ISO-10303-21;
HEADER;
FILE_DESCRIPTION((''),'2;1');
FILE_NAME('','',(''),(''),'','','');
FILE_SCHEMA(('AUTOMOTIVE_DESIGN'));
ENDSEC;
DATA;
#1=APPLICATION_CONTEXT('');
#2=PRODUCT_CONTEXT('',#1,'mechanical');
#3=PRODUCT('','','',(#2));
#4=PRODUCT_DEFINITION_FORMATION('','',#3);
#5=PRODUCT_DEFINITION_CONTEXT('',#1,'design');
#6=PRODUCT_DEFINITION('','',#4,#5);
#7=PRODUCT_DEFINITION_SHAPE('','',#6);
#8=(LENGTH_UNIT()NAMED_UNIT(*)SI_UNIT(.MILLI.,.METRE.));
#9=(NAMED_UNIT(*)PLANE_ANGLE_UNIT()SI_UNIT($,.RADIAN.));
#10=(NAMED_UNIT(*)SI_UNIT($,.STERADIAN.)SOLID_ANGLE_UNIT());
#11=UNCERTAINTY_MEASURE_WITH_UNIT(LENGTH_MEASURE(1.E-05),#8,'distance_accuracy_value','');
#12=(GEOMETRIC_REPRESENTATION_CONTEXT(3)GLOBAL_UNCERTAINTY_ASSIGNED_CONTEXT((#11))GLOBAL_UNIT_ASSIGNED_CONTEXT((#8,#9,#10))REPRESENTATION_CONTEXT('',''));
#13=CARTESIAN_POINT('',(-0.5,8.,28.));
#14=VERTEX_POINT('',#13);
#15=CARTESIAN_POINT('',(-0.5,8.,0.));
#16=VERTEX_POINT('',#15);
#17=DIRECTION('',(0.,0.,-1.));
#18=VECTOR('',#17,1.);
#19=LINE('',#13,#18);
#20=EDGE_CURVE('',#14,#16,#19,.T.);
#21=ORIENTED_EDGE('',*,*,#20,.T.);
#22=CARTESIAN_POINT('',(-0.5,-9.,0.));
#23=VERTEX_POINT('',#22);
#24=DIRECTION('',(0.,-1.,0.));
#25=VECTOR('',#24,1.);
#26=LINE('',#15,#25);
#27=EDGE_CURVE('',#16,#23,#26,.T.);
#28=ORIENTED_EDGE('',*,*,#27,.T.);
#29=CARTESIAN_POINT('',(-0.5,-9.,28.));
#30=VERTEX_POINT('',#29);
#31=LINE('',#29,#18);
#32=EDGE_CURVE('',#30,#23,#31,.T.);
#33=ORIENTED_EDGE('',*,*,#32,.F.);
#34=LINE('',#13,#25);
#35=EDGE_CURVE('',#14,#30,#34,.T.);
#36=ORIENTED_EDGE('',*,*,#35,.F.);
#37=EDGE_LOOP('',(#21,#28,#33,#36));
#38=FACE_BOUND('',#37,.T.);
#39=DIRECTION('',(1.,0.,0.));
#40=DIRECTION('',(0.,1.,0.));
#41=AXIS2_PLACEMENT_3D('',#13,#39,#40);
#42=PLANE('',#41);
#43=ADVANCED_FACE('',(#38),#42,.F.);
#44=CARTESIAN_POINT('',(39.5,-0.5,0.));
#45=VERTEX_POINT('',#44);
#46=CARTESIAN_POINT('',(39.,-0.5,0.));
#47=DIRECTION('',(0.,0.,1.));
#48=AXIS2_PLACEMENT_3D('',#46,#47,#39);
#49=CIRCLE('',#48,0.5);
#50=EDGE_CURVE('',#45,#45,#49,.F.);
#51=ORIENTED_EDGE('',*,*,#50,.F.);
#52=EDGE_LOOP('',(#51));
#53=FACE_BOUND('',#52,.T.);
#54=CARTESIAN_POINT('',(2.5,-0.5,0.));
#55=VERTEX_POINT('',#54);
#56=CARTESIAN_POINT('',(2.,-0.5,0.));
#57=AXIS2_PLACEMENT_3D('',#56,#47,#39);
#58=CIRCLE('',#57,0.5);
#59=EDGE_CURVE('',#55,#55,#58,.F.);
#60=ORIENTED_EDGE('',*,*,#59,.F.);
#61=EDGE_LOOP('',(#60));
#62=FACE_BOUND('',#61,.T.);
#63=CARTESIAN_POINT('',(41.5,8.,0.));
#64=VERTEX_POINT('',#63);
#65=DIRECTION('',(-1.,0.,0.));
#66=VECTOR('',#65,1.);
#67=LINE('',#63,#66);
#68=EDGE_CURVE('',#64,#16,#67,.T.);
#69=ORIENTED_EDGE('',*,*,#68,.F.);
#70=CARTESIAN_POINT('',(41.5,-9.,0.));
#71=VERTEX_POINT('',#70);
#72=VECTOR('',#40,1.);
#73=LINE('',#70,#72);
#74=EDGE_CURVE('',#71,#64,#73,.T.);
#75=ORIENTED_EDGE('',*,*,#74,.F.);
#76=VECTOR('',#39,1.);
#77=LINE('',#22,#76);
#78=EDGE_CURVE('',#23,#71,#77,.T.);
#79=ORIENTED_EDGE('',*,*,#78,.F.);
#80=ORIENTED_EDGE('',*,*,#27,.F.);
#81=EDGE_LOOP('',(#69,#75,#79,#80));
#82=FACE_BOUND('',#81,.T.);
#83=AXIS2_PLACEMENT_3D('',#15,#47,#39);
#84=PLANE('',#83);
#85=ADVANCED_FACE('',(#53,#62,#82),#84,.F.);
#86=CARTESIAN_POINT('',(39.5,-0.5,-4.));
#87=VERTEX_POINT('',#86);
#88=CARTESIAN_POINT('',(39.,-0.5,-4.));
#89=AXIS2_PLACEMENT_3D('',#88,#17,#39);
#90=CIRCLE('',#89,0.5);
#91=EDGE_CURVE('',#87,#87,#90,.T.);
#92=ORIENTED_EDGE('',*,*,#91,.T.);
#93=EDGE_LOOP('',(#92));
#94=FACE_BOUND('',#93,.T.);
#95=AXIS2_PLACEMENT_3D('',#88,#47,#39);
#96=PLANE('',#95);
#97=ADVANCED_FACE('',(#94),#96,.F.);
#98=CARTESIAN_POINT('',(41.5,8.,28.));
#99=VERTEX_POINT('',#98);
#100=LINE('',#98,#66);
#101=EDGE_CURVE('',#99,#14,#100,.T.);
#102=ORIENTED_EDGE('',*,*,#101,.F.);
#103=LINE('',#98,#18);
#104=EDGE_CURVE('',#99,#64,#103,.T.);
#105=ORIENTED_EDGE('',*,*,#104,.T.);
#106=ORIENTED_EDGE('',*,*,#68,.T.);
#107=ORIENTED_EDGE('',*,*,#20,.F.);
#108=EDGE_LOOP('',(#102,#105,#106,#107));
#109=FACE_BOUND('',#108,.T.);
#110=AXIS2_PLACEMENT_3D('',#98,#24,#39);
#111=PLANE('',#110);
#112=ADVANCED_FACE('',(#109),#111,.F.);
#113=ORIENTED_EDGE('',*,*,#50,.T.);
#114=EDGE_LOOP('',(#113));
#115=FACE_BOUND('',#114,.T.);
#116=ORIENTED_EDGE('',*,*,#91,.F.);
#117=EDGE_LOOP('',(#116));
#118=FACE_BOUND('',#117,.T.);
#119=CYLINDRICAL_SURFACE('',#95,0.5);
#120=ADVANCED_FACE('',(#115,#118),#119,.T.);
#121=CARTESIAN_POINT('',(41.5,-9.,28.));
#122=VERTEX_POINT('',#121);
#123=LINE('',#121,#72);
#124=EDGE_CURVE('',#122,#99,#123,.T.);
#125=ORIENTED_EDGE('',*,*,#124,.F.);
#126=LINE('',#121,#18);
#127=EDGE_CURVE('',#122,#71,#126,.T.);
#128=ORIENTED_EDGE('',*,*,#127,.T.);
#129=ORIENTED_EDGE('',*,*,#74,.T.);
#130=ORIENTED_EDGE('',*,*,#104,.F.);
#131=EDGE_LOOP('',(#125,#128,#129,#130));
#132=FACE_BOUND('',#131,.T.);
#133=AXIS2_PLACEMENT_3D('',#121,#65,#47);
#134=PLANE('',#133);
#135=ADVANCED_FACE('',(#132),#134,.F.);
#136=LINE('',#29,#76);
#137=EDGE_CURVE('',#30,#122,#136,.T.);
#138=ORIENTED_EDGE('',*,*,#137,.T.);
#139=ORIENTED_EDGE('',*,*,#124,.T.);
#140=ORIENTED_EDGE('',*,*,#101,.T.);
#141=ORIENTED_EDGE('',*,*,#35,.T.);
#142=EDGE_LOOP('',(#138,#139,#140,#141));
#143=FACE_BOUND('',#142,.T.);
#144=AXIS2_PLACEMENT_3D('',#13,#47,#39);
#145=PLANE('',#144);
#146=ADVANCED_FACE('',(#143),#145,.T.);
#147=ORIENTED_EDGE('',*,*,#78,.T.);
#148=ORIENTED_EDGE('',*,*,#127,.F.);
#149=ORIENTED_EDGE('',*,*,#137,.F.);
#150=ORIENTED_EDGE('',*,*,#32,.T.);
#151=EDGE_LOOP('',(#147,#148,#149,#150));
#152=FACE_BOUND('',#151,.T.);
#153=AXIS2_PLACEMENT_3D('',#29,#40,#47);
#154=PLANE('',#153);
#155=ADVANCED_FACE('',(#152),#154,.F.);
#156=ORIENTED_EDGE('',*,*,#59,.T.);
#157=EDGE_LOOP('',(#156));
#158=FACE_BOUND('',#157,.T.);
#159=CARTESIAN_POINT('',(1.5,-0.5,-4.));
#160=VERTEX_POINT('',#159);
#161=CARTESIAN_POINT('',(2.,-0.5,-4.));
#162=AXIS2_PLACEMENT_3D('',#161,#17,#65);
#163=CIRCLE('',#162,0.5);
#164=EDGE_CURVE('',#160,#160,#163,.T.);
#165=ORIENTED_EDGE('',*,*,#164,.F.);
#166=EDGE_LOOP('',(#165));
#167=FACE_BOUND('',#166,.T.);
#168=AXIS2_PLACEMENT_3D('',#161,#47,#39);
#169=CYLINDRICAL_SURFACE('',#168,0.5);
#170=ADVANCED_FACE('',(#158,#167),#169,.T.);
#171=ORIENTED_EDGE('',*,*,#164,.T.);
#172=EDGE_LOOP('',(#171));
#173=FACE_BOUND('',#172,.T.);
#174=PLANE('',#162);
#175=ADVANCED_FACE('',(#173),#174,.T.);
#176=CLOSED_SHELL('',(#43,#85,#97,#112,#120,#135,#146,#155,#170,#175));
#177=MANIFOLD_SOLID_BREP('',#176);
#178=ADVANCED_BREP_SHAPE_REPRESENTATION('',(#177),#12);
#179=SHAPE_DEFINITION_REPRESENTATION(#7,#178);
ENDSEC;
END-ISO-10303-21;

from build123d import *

# Parameters (mm, degrees)
SKETCH_2_W      = 42
SKETCH_2_H      = 17
EXTRUDE_1_DEPTH = 28
SKETCH_3_R      = 0.5
EXTRUDE_2_DEPTH = 4


with BuildPart() as part:
    # Эскиз2 → Вытянуть1 (new body)
    with BuildSketch(Plane.XY):
        with Locations((20.5, -0.5)):
            Rectangle(SKETCH_2_W, SKETCH_2_H)
    extrude(amount=EXTRUDE_1_DEPTH)

    # Эскиз3 → Вытянуть2 (add)
    with BuildSketch(Plane(origin=(0, 0, 0), x_dir=(-1, 0, 0), z_dir=(0, 0, -1))):
        with Locations(Location((-2, -0.5, 0), (0, 0, 180))):
            Circle(SKETCH_3_R)
        with Locations(Location((-39, -0.5, 0), (0, 0, 180))):
            Circle(SKETCH_3_R)
    extrude(amount=EXTRUDE_2_DEPTH)


solid = part.part
